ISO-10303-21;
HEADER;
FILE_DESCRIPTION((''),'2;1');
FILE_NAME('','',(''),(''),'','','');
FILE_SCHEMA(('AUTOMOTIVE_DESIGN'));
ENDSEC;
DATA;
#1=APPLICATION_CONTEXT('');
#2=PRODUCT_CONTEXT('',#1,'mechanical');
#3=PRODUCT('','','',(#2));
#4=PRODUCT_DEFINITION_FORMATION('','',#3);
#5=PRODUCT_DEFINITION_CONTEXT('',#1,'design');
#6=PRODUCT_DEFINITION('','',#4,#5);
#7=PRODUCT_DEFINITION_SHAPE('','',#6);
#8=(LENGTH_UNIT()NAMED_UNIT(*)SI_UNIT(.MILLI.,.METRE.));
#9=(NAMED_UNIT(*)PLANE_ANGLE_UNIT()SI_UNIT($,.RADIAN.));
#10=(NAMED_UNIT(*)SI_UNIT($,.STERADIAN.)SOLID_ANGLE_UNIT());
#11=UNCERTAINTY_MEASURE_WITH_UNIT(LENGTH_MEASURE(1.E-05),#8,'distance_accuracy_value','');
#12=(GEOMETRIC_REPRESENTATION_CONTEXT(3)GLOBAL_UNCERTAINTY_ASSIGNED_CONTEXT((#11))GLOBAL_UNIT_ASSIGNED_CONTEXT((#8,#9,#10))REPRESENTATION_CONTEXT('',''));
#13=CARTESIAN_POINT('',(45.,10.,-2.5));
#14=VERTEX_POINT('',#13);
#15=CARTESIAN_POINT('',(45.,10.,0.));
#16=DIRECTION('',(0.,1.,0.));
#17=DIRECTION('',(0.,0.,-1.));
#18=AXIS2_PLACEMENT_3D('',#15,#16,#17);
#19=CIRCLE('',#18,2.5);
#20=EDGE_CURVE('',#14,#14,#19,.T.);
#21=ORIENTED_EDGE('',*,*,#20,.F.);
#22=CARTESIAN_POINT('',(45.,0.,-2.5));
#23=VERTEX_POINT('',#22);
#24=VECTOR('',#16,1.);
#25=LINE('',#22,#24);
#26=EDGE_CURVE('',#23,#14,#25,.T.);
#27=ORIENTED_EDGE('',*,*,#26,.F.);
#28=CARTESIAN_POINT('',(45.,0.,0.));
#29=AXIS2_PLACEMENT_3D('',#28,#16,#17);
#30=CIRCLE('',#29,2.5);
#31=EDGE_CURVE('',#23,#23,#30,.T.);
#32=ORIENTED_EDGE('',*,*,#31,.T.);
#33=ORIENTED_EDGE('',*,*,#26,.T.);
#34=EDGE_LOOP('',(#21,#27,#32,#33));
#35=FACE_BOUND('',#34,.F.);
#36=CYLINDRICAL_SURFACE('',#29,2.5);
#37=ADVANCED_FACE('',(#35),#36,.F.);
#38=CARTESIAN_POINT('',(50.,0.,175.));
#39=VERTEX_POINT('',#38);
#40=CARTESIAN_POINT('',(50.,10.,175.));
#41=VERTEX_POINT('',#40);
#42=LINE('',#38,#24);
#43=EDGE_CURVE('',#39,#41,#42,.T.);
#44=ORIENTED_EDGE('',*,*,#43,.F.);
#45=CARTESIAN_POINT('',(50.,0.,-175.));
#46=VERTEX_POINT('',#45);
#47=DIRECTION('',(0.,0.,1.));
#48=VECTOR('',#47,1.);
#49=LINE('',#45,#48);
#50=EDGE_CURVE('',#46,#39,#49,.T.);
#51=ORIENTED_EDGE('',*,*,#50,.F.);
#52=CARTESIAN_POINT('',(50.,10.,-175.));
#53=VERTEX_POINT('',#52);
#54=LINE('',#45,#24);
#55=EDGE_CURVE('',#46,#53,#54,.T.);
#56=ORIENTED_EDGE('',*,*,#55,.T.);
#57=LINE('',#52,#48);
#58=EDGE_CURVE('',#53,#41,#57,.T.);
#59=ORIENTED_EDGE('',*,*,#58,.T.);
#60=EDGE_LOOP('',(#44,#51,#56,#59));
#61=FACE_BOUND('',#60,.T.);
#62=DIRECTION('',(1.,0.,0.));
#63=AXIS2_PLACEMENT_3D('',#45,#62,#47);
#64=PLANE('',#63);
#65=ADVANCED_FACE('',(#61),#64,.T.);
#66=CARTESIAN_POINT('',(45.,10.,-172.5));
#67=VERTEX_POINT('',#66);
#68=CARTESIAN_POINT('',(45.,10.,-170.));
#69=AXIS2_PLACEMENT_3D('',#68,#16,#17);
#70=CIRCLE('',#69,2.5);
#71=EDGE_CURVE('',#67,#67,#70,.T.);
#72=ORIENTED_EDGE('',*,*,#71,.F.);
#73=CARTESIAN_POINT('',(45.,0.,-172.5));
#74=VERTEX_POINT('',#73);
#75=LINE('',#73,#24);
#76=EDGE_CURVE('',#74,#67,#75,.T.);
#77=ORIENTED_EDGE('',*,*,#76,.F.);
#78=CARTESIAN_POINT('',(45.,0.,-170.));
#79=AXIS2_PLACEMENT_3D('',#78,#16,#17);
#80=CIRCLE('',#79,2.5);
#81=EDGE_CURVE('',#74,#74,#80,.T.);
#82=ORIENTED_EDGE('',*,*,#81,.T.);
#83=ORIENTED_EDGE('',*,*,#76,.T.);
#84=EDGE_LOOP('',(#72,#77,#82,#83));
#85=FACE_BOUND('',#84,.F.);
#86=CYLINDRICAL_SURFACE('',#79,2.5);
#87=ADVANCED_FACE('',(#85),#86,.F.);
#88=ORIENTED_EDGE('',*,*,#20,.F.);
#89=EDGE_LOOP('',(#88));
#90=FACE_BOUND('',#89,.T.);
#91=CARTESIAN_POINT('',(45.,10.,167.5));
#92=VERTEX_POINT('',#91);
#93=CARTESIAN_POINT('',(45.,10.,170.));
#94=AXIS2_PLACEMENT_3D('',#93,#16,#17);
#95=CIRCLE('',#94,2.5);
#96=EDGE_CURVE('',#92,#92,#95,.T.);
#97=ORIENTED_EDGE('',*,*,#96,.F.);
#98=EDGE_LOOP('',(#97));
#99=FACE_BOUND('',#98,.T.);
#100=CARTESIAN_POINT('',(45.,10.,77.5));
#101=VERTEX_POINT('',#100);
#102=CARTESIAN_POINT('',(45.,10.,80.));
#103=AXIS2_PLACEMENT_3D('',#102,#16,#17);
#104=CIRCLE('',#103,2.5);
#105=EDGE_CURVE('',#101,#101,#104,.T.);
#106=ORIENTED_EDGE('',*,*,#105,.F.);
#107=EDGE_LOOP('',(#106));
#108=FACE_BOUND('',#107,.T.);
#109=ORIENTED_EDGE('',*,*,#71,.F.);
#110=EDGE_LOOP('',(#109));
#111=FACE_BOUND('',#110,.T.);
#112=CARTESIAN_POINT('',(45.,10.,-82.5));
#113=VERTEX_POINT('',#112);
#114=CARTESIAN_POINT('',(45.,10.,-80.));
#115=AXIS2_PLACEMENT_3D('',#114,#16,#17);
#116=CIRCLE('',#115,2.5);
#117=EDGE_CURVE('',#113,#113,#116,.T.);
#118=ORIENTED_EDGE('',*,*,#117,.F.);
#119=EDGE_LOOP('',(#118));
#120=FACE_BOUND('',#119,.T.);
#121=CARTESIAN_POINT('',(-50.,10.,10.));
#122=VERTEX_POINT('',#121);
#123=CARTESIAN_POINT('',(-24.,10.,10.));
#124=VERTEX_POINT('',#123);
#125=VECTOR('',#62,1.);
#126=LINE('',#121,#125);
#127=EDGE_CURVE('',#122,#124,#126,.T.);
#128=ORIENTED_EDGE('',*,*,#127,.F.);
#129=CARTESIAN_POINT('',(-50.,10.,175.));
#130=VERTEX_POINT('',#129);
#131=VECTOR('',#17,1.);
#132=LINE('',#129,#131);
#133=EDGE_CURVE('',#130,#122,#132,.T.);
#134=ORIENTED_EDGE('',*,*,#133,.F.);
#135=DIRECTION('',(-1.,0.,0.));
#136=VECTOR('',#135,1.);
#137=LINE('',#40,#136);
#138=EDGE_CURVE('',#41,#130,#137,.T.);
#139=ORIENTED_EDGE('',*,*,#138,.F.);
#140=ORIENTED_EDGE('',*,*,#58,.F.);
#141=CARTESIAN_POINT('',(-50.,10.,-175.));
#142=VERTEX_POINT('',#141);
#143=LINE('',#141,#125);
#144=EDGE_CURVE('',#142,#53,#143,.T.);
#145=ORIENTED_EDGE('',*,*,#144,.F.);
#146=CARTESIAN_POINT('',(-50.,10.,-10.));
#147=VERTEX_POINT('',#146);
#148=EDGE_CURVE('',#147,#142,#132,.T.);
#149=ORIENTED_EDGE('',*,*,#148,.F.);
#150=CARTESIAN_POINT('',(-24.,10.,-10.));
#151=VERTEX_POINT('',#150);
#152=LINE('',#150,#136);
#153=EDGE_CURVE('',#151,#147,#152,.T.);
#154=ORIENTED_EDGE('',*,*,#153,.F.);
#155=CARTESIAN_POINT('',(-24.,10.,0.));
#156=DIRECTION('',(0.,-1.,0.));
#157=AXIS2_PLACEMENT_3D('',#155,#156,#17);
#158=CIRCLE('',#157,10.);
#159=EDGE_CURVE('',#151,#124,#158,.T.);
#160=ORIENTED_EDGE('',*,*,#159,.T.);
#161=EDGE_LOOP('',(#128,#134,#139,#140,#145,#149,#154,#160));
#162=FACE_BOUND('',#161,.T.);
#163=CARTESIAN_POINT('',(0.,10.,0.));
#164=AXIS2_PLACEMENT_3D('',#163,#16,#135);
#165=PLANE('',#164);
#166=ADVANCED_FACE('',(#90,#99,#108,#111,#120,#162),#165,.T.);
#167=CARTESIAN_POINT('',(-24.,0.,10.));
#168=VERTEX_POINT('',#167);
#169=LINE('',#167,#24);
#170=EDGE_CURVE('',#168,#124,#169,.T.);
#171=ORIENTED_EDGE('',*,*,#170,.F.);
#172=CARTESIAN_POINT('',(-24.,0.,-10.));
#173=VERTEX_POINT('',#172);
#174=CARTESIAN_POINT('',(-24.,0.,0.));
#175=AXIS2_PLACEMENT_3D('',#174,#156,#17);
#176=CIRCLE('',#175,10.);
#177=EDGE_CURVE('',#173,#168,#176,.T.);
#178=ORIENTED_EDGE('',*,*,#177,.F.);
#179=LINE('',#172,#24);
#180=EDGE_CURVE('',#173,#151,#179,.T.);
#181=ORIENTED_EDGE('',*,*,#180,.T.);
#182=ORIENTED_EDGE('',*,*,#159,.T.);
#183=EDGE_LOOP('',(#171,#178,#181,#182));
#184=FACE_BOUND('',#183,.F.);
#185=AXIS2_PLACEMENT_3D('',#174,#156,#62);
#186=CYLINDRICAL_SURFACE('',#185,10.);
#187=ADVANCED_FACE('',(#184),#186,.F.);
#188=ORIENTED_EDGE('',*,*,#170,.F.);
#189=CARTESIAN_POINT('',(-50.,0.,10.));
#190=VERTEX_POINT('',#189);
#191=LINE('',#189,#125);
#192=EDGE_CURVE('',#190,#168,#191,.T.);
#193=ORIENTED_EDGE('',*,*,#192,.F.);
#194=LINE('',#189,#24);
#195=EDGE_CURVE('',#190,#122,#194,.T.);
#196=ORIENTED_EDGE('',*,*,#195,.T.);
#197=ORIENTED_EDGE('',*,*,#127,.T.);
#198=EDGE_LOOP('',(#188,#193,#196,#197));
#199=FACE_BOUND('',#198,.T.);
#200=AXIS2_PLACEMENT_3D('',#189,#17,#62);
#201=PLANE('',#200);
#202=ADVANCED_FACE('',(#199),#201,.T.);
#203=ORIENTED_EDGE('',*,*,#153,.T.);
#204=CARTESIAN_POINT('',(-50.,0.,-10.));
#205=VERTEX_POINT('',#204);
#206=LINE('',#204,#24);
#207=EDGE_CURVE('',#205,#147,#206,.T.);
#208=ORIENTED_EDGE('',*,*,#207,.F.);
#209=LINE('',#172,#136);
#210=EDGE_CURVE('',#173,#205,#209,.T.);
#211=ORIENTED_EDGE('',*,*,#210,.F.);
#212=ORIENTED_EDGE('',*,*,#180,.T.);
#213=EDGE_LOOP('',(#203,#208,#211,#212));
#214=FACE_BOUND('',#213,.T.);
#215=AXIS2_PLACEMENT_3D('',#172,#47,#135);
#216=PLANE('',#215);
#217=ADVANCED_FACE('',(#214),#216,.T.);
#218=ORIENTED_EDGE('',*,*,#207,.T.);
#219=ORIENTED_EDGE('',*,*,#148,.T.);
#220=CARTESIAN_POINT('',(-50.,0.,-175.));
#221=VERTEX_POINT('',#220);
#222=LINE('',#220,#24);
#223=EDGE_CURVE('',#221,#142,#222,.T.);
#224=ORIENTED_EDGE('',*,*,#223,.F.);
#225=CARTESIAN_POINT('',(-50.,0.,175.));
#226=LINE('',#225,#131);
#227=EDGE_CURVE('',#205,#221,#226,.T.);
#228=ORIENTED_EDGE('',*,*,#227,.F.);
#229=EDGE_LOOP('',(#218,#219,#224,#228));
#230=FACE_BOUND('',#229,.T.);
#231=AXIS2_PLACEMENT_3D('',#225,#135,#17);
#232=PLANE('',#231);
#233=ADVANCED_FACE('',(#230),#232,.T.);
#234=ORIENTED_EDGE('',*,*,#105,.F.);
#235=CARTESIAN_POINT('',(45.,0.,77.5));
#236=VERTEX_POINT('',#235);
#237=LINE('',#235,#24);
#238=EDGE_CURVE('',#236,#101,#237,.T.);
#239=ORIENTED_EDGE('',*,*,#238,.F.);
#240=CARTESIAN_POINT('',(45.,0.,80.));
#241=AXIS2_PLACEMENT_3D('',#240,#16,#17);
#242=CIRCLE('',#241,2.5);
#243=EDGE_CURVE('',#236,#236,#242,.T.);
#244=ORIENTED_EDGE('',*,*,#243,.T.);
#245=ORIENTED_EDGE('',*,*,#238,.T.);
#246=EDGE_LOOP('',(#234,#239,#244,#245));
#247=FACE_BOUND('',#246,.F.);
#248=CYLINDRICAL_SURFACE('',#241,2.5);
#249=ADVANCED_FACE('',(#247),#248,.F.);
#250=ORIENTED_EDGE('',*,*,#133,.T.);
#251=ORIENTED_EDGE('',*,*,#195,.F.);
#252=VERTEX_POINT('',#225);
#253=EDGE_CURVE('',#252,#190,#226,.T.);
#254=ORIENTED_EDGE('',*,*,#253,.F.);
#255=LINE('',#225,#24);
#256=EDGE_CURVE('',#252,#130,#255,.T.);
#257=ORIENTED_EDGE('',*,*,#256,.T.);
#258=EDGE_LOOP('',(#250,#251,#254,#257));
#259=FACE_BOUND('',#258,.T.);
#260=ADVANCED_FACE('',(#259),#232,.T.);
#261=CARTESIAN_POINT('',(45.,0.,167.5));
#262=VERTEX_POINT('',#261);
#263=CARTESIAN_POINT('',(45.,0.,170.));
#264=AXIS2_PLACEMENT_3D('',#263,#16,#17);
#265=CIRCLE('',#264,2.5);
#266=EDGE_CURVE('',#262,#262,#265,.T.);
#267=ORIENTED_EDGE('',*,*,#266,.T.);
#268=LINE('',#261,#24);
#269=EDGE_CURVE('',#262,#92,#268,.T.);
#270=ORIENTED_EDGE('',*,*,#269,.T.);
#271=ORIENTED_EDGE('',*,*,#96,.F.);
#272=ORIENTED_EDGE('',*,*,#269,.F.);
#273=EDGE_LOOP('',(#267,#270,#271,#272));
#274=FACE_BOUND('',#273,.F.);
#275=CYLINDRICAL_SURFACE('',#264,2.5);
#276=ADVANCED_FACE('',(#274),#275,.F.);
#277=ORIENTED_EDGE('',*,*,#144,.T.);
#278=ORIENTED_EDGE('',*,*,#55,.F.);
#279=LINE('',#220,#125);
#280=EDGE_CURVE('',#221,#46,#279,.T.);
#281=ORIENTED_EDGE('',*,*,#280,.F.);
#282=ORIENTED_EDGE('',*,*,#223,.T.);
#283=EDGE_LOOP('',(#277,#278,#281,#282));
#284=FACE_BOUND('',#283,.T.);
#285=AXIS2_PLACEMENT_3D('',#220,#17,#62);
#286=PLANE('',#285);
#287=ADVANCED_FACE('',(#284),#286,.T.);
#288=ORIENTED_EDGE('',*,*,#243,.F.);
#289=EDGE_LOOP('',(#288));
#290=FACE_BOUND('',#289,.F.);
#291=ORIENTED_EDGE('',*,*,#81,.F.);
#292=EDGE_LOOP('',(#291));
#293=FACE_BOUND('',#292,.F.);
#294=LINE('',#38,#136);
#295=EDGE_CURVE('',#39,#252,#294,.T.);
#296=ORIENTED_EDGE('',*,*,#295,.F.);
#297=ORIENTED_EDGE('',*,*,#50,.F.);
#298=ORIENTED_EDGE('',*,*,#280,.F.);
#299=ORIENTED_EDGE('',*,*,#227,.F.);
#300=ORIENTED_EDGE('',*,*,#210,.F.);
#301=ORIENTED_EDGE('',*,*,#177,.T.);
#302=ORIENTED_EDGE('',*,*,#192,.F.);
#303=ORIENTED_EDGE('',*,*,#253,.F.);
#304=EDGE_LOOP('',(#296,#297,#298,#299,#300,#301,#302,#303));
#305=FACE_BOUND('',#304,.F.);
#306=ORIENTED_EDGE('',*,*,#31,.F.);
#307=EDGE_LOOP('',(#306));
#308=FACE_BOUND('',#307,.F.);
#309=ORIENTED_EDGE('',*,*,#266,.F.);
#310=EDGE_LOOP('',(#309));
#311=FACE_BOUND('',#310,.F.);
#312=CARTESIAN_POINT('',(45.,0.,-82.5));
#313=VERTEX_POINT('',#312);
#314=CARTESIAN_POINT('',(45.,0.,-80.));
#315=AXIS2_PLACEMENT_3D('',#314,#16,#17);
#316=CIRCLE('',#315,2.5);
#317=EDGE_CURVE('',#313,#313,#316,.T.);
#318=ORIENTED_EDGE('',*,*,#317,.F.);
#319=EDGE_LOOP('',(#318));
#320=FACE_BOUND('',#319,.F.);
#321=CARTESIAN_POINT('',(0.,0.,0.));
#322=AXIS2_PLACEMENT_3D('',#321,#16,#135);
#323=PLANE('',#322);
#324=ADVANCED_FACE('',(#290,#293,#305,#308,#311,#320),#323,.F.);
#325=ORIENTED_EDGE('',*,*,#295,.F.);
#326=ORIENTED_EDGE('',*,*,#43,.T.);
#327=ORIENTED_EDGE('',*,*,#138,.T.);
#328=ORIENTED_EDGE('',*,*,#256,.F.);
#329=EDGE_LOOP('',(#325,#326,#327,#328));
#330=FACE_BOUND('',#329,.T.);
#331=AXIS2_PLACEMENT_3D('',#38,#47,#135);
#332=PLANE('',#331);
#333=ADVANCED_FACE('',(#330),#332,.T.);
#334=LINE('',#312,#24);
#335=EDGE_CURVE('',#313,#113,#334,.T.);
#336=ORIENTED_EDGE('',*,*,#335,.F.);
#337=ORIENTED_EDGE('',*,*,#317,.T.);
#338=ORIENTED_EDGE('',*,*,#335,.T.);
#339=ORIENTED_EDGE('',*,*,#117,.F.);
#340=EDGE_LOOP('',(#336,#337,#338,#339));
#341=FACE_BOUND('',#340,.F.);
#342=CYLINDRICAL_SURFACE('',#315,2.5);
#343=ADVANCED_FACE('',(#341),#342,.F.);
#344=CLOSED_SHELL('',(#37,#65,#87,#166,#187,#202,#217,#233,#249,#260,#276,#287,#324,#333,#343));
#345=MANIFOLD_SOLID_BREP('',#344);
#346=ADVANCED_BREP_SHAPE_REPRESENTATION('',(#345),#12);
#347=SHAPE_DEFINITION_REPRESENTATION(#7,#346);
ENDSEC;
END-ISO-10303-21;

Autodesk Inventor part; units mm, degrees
ref_plane "YZ Plane" through (0, 0, 0) normal (1, 0, 0) x (0, 1, 0)
ref_plane "XZ Plane" through (0, 0, 0) normal (0, 1, 0) x (-1, 0, 0)
ref_plane "XY Plane" through (0, 0, 0) normal (0, 0, 1) x (1, 0, 0)
sketch "Sketch1" plane through (0, 0, 0) normal (0, 1, 0) x (-1, 0, 0)
  line L0 (-50, 175) -> (50, 175)
  line L1 (50, 175) -> (50, -175)
  line L2 (50, -175) -> (-50, -175)
  line L3 (-50, -175) -> (-50, 175)
  line L4 (-50, 175) -> (50, -175) construction
  line L5 (50, 175) -> (-50, -175) construction
  point P0 (0, 0)
  dimension "d0" = 350
  dimension "d1" = 100
extrude "Extrusion1" add sketch "Sketch1" along normal blind 10
sketch "Sketch2" plane through (0, 0, 0) normal (0, -1, 0) x (1, 0, 0)
  circle A0 centre (-24, 0) radius 5 projected
  circle A1 centre (-24, 0) radius 10
  line L0 (-24, 10) -> (-24, -10)
  line L1 (-24, -10) -> (-50, -10)
  line L2 (-50, -10) -> (-50, 10)
  line L3 (-50, 10) -> (-24, 10)
  line L4 (-50, 175) -> (-50, -175) projected
  point P0 (0, 0)
  dimension "d4" = 20
extrude "Extrusion2" cut sketch "Sketch2" against normal blind 10
sketch "Sketch3" plane through (0, 0, 0) normal (0, -1, 0) x (1, 0, 0)
  line L0 (50, 175) -> (50, -175) projected
  line L1 (45, 150) -> (45, -150)
  line L2 (0, 0) -> (31.7101, 0) construction
  line L3 (-50, 175) -> (50, 175) projected
  point P0 (45, 0)
  point P1 (45, 170)
  point P2 (45, 80)
  point P3 (45, -80)
  point P4 (45, -170)
  dimension "d7" = 5
  dimension "d8" = 5
  dimension "d9" = 80
hole "Hole1" at (45, 0, 0) at (45, 0, 170) at (45, 0, 80) at (45, 0, -80) at (45, 0, -170) direction (0, 1, 0) diameter 5 end through all
properties part number "08_Tam_canh_hong"
